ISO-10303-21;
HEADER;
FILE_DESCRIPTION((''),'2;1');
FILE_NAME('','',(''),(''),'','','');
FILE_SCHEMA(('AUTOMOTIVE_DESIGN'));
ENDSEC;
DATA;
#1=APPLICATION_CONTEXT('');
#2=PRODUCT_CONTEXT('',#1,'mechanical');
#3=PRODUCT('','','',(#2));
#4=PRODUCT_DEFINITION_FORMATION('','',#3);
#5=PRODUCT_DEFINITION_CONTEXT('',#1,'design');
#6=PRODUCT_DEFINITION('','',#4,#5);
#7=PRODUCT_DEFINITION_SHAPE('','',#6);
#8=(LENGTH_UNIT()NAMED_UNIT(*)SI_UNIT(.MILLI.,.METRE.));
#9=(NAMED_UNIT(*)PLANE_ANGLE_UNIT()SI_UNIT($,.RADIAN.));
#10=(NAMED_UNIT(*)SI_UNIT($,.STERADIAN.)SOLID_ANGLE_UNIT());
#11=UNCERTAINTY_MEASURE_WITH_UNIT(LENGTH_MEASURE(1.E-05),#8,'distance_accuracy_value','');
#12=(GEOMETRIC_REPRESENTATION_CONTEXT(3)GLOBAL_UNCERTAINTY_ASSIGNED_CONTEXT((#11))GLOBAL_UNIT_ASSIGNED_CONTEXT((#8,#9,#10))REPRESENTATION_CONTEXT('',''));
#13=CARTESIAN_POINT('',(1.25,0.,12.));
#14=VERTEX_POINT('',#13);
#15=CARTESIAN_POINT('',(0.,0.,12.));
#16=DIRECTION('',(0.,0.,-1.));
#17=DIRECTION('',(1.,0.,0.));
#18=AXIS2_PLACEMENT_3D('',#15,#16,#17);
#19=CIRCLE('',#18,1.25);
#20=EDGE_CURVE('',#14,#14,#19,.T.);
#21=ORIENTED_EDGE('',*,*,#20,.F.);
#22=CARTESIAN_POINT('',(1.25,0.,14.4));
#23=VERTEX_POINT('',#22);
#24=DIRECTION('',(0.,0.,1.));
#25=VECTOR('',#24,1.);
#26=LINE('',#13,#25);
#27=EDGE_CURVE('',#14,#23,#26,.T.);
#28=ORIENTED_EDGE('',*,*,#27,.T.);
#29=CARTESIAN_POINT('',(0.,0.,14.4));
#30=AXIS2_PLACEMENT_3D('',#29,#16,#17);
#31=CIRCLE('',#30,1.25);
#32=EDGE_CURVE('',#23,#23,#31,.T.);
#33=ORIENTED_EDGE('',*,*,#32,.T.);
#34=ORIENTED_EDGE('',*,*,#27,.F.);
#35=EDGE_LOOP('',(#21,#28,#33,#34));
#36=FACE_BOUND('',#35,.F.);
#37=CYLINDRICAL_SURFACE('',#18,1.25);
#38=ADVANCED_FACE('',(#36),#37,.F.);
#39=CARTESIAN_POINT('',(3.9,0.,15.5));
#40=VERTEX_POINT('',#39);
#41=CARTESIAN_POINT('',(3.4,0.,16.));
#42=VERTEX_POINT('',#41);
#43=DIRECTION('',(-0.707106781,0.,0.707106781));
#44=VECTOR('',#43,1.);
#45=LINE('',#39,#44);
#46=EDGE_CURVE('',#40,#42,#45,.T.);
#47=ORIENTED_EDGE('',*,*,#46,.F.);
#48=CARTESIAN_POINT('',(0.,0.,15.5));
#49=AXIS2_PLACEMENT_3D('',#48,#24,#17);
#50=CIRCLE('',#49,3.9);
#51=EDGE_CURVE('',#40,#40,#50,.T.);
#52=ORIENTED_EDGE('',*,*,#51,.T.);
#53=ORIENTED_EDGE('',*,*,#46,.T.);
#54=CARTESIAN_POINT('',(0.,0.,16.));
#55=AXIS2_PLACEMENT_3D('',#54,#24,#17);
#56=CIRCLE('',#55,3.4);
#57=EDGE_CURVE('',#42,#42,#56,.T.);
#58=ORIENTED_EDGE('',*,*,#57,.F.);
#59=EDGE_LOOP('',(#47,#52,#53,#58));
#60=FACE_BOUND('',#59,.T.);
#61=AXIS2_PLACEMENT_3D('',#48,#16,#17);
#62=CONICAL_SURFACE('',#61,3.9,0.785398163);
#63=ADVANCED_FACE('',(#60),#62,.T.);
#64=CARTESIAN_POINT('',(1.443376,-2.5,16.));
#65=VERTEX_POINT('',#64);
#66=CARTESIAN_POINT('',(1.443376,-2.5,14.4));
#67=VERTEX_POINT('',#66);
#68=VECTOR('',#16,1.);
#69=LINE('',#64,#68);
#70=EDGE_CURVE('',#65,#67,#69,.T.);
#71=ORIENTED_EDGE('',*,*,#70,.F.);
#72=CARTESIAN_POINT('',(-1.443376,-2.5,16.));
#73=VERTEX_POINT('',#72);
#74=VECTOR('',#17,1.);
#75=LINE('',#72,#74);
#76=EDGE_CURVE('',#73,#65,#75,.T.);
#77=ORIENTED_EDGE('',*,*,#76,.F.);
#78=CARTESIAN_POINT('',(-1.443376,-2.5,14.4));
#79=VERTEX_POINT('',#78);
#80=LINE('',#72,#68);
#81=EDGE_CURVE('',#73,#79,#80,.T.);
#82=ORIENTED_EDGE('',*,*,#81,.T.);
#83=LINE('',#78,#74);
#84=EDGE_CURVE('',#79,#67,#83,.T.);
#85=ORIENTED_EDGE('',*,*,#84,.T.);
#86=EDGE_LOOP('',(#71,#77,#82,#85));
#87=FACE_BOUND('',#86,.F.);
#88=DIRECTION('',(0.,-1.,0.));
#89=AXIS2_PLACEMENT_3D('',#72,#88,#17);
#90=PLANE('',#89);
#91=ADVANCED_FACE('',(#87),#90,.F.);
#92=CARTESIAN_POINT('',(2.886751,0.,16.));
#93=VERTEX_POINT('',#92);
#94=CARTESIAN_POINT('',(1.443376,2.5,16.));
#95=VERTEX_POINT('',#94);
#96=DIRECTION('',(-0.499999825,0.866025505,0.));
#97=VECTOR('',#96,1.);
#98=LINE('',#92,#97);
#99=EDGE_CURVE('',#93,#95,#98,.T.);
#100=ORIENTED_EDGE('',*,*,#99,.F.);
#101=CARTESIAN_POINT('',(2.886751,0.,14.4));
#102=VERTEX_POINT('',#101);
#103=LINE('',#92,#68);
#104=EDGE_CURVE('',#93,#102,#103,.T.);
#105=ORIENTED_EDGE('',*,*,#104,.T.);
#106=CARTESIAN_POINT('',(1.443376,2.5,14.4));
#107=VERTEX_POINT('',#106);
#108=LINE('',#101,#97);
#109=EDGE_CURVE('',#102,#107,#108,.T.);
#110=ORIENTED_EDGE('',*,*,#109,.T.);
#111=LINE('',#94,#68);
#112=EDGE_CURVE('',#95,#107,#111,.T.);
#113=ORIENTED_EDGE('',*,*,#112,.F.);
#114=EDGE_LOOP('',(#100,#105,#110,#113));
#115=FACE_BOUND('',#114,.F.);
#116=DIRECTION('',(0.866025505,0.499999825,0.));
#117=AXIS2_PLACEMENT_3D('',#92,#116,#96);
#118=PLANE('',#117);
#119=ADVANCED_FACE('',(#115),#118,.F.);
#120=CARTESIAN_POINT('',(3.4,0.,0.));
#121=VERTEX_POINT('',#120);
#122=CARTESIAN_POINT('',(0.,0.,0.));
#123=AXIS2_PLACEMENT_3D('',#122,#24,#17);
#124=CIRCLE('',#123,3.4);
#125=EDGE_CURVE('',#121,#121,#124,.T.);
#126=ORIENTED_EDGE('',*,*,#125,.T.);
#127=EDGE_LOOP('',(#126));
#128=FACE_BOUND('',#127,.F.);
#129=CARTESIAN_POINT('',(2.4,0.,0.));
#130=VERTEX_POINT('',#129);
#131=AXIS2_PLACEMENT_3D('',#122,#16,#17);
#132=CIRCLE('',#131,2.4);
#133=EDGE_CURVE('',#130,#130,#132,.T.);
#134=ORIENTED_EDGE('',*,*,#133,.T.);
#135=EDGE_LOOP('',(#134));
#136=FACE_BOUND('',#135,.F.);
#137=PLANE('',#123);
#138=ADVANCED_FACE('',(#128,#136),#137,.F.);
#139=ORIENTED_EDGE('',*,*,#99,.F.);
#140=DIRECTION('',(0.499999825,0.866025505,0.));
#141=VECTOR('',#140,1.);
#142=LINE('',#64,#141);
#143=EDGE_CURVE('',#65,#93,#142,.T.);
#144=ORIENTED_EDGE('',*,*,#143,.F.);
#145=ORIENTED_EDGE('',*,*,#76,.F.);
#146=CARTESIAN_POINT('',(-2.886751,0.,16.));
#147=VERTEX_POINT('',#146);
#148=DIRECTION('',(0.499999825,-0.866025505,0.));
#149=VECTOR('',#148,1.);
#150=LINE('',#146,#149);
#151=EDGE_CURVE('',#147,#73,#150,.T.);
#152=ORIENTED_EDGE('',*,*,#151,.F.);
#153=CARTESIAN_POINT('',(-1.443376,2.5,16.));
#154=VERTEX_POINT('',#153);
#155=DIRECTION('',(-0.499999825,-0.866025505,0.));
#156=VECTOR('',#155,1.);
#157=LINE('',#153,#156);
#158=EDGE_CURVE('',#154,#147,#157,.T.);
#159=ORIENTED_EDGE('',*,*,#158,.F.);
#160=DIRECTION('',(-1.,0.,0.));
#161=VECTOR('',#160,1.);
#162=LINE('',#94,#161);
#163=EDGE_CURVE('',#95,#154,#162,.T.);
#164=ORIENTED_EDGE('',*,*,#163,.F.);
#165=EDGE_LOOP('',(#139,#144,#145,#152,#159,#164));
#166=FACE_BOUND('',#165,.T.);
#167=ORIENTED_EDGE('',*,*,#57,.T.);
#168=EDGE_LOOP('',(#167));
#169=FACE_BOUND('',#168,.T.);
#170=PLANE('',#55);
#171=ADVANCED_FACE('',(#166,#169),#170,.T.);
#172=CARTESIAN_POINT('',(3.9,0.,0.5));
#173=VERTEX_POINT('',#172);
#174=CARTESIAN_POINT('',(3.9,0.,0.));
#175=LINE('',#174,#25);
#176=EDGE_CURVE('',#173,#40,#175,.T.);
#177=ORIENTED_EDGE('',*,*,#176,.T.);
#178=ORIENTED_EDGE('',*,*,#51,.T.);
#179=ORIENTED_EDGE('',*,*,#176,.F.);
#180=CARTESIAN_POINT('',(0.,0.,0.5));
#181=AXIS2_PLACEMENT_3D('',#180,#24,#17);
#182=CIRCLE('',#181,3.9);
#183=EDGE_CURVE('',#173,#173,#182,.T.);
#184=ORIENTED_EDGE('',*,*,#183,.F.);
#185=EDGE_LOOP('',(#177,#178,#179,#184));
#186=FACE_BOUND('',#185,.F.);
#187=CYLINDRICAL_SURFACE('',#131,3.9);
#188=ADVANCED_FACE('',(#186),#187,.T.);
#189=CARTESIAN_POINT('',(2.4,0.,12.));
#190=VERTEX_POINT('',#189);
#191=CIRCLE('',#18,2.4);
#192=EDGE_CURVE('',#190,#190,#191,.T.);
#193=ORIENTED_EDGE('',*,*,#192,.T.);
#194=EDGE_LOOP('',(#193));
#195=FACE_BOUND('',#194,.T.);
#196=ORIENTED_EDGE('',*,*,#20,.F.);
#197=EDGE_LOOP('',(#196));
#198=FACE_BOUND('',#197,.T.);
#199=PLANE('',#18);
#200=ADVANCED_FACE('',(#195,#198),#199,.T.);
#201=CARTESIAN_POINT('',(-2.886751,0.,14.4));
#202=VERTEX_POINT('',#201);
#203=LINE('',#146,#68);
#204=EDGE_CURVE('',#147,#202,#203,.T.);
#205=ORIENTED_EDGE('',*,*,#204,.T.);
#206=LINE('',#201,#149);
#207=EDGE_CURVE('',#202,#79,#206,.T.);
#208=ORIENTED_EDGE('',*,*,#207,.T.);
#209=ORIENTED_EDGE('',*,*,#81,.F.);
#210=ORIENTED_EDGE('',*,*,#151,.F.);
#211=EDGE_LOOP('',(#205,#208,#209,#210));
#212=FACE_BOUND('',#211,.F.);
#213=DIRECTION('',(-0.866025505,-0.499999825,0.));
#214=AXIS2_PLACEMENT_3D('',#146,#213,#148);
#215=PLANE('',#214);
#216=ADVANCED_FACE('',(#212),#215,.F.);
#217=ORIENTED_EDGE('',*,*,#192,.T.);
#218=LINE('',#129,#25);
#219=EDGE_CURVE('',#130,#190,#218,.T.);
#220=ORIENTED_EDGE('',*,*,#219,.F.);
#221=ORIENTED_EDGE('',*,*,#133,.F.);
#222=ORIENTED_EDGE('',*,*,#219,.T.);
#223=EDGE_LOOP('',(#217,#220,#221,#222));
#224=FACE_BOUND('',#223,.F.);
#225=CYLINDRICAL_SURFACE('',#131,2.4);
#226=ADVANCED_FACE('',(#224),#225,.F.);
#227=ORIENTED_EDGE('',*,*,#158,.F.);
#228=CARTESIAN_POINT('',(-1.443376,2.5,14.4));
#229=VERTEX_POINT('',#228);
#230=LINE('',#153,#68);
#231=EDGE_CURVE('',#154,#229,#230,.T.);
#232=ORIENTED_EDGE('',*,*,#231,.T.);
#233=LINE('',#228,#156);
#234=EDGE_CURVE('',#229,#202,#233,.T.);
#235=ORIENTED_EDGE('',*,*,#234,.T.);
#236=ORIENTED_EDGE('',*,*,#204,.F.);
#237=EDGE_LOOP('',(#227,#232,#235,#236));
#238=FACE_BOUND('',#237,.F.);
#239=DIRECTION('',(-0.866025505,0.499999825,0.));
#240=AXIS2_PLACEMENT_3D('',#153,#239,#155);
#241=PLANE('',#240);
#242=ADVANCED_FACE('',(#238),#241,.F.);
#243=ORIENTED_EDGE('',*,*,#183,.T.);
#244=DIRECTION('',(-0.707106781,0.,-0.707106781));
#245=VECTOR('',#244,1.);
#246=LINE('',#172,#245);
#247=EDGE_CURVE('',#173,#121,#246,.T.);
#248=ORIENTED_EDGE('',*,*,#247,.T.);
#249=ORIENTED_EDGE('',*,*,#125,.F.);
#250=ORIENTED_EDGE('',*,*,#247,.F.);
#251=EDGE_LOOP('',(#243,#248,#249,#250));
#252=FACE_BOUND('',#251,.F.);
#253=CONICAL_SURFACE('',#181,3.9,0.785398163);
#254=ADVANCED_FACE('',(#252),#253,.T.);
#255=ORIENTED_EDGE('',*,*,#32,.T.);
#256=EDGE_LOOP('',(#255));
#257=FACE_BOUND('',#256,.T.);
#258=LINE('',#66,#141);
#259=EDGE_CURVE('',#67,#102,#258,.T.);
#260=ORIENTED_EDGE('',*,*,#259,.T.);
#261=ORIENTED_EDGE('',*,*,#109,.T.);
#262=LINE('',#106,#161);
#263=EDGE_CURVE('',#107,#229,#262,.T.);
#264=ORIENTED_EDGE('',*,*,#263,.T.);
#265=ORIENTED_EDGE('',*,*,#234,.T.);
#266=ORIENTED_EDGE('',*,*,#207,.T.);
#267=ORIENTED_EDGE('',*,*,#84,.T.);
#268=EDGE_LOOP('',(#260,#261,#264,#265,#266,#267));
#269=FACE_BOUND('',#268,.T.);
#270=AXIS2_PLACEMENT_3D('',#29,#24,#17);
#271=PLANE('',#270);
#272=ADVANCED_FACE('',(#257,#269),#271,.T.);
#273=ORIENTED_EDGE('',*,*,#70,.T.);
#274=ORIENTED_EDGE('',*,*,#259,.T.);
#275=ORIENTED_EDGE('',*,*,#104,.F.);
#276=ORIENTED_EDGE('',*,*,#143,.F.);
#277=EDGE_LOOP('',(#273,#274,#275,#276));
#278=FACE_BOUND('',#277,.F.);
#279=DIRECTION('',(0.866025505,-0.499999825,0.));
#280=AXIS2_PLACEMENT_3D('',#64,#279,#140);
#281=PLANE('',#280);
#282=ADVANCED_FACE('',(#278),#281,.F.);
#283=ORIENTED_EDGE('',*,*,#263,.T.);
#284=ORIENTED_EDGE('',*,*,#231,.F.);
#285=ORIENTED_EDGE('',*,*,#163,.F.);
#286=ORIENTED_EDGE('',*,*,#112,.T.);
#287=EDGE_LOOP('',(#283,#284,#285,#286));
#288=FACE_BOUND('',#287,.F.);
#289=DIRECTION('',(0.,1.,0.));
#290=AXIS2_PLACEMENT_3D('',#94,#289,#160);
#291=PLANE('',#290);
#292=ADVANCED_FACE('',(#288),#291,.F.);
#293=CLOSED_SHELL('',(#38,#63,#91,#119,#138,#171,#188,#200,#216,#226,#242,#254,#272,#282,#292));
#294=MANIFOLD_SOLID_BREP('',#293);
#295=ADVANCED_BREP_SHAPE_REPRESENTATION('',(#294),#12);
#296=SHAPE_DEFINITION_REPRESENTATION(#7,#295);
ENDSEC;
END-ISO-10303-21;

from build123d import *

# Parameters (mm, degrees)
F0_R     = 3.9
F1_DEPTH = 16
F2_R     = 2.4
F3_DEPTH = 12
F4_R     = 1.25
F5_DEPTH = 4.001
F6_SIZE  = 0.5
F7_SIZE  = 0.5
F9_DEPTH = 1.6


with BuildPart() as f1:
    # F0 (on Top) → F1 (new body)
    with BuildSketch(Plane.XY):
        Circle(F0_R)
    extrude(amount=F1_DEPTH)

    # F2 (on face) → F3 (cut)
    with BuildSketch(Plane(origin=(0, 0, 0), x_dir=(1, 0, 0), z_dir=(0, 0, -1))):
        Circle(F2_R)
    extrude(amount=-F3_DEPTH, mode=Mode.SUBTRACT)

    # F4 (on face) → F5 (cut, through all)
    with BuildSketch(Plane(origin=(0, 0, 12), x_dir=(1, 0, 0), z_dir=(0, 0, -1))):
        Circle(F4_R)
    extrude(amount=-F5_DEPTH, mode=Mode.SUBTRACT)

    # F6
    f6_edges = [f1.edges().sort_by_distance(p)[0] for p in [
        (-3.9, 0, 16),
    ]]
    chamfer(f6_edges, length=F6_SIZE)

    # F7
    f7_edges = [f1.edges().sort_by_distance(p)[0] for p in [
        (-3.9, 0, 0),
    ]]
    chamfer(f7_edges, length=F7_SIZE)

    # F8 (on face) → F9 (cut)
    with BuildSketch(Plane.XY.offset(16)):
        Polygon((-2.886751, 0), (-1.443376, -2.5), (1.443376, -2.5), (2.886751, 0), (1.443376, 2.5), (-1.443376, 2.5), align=None)
    extrude(amount=-F9_DEPTH, mode=Mode.SUBTRACT)


solid = f1.part
